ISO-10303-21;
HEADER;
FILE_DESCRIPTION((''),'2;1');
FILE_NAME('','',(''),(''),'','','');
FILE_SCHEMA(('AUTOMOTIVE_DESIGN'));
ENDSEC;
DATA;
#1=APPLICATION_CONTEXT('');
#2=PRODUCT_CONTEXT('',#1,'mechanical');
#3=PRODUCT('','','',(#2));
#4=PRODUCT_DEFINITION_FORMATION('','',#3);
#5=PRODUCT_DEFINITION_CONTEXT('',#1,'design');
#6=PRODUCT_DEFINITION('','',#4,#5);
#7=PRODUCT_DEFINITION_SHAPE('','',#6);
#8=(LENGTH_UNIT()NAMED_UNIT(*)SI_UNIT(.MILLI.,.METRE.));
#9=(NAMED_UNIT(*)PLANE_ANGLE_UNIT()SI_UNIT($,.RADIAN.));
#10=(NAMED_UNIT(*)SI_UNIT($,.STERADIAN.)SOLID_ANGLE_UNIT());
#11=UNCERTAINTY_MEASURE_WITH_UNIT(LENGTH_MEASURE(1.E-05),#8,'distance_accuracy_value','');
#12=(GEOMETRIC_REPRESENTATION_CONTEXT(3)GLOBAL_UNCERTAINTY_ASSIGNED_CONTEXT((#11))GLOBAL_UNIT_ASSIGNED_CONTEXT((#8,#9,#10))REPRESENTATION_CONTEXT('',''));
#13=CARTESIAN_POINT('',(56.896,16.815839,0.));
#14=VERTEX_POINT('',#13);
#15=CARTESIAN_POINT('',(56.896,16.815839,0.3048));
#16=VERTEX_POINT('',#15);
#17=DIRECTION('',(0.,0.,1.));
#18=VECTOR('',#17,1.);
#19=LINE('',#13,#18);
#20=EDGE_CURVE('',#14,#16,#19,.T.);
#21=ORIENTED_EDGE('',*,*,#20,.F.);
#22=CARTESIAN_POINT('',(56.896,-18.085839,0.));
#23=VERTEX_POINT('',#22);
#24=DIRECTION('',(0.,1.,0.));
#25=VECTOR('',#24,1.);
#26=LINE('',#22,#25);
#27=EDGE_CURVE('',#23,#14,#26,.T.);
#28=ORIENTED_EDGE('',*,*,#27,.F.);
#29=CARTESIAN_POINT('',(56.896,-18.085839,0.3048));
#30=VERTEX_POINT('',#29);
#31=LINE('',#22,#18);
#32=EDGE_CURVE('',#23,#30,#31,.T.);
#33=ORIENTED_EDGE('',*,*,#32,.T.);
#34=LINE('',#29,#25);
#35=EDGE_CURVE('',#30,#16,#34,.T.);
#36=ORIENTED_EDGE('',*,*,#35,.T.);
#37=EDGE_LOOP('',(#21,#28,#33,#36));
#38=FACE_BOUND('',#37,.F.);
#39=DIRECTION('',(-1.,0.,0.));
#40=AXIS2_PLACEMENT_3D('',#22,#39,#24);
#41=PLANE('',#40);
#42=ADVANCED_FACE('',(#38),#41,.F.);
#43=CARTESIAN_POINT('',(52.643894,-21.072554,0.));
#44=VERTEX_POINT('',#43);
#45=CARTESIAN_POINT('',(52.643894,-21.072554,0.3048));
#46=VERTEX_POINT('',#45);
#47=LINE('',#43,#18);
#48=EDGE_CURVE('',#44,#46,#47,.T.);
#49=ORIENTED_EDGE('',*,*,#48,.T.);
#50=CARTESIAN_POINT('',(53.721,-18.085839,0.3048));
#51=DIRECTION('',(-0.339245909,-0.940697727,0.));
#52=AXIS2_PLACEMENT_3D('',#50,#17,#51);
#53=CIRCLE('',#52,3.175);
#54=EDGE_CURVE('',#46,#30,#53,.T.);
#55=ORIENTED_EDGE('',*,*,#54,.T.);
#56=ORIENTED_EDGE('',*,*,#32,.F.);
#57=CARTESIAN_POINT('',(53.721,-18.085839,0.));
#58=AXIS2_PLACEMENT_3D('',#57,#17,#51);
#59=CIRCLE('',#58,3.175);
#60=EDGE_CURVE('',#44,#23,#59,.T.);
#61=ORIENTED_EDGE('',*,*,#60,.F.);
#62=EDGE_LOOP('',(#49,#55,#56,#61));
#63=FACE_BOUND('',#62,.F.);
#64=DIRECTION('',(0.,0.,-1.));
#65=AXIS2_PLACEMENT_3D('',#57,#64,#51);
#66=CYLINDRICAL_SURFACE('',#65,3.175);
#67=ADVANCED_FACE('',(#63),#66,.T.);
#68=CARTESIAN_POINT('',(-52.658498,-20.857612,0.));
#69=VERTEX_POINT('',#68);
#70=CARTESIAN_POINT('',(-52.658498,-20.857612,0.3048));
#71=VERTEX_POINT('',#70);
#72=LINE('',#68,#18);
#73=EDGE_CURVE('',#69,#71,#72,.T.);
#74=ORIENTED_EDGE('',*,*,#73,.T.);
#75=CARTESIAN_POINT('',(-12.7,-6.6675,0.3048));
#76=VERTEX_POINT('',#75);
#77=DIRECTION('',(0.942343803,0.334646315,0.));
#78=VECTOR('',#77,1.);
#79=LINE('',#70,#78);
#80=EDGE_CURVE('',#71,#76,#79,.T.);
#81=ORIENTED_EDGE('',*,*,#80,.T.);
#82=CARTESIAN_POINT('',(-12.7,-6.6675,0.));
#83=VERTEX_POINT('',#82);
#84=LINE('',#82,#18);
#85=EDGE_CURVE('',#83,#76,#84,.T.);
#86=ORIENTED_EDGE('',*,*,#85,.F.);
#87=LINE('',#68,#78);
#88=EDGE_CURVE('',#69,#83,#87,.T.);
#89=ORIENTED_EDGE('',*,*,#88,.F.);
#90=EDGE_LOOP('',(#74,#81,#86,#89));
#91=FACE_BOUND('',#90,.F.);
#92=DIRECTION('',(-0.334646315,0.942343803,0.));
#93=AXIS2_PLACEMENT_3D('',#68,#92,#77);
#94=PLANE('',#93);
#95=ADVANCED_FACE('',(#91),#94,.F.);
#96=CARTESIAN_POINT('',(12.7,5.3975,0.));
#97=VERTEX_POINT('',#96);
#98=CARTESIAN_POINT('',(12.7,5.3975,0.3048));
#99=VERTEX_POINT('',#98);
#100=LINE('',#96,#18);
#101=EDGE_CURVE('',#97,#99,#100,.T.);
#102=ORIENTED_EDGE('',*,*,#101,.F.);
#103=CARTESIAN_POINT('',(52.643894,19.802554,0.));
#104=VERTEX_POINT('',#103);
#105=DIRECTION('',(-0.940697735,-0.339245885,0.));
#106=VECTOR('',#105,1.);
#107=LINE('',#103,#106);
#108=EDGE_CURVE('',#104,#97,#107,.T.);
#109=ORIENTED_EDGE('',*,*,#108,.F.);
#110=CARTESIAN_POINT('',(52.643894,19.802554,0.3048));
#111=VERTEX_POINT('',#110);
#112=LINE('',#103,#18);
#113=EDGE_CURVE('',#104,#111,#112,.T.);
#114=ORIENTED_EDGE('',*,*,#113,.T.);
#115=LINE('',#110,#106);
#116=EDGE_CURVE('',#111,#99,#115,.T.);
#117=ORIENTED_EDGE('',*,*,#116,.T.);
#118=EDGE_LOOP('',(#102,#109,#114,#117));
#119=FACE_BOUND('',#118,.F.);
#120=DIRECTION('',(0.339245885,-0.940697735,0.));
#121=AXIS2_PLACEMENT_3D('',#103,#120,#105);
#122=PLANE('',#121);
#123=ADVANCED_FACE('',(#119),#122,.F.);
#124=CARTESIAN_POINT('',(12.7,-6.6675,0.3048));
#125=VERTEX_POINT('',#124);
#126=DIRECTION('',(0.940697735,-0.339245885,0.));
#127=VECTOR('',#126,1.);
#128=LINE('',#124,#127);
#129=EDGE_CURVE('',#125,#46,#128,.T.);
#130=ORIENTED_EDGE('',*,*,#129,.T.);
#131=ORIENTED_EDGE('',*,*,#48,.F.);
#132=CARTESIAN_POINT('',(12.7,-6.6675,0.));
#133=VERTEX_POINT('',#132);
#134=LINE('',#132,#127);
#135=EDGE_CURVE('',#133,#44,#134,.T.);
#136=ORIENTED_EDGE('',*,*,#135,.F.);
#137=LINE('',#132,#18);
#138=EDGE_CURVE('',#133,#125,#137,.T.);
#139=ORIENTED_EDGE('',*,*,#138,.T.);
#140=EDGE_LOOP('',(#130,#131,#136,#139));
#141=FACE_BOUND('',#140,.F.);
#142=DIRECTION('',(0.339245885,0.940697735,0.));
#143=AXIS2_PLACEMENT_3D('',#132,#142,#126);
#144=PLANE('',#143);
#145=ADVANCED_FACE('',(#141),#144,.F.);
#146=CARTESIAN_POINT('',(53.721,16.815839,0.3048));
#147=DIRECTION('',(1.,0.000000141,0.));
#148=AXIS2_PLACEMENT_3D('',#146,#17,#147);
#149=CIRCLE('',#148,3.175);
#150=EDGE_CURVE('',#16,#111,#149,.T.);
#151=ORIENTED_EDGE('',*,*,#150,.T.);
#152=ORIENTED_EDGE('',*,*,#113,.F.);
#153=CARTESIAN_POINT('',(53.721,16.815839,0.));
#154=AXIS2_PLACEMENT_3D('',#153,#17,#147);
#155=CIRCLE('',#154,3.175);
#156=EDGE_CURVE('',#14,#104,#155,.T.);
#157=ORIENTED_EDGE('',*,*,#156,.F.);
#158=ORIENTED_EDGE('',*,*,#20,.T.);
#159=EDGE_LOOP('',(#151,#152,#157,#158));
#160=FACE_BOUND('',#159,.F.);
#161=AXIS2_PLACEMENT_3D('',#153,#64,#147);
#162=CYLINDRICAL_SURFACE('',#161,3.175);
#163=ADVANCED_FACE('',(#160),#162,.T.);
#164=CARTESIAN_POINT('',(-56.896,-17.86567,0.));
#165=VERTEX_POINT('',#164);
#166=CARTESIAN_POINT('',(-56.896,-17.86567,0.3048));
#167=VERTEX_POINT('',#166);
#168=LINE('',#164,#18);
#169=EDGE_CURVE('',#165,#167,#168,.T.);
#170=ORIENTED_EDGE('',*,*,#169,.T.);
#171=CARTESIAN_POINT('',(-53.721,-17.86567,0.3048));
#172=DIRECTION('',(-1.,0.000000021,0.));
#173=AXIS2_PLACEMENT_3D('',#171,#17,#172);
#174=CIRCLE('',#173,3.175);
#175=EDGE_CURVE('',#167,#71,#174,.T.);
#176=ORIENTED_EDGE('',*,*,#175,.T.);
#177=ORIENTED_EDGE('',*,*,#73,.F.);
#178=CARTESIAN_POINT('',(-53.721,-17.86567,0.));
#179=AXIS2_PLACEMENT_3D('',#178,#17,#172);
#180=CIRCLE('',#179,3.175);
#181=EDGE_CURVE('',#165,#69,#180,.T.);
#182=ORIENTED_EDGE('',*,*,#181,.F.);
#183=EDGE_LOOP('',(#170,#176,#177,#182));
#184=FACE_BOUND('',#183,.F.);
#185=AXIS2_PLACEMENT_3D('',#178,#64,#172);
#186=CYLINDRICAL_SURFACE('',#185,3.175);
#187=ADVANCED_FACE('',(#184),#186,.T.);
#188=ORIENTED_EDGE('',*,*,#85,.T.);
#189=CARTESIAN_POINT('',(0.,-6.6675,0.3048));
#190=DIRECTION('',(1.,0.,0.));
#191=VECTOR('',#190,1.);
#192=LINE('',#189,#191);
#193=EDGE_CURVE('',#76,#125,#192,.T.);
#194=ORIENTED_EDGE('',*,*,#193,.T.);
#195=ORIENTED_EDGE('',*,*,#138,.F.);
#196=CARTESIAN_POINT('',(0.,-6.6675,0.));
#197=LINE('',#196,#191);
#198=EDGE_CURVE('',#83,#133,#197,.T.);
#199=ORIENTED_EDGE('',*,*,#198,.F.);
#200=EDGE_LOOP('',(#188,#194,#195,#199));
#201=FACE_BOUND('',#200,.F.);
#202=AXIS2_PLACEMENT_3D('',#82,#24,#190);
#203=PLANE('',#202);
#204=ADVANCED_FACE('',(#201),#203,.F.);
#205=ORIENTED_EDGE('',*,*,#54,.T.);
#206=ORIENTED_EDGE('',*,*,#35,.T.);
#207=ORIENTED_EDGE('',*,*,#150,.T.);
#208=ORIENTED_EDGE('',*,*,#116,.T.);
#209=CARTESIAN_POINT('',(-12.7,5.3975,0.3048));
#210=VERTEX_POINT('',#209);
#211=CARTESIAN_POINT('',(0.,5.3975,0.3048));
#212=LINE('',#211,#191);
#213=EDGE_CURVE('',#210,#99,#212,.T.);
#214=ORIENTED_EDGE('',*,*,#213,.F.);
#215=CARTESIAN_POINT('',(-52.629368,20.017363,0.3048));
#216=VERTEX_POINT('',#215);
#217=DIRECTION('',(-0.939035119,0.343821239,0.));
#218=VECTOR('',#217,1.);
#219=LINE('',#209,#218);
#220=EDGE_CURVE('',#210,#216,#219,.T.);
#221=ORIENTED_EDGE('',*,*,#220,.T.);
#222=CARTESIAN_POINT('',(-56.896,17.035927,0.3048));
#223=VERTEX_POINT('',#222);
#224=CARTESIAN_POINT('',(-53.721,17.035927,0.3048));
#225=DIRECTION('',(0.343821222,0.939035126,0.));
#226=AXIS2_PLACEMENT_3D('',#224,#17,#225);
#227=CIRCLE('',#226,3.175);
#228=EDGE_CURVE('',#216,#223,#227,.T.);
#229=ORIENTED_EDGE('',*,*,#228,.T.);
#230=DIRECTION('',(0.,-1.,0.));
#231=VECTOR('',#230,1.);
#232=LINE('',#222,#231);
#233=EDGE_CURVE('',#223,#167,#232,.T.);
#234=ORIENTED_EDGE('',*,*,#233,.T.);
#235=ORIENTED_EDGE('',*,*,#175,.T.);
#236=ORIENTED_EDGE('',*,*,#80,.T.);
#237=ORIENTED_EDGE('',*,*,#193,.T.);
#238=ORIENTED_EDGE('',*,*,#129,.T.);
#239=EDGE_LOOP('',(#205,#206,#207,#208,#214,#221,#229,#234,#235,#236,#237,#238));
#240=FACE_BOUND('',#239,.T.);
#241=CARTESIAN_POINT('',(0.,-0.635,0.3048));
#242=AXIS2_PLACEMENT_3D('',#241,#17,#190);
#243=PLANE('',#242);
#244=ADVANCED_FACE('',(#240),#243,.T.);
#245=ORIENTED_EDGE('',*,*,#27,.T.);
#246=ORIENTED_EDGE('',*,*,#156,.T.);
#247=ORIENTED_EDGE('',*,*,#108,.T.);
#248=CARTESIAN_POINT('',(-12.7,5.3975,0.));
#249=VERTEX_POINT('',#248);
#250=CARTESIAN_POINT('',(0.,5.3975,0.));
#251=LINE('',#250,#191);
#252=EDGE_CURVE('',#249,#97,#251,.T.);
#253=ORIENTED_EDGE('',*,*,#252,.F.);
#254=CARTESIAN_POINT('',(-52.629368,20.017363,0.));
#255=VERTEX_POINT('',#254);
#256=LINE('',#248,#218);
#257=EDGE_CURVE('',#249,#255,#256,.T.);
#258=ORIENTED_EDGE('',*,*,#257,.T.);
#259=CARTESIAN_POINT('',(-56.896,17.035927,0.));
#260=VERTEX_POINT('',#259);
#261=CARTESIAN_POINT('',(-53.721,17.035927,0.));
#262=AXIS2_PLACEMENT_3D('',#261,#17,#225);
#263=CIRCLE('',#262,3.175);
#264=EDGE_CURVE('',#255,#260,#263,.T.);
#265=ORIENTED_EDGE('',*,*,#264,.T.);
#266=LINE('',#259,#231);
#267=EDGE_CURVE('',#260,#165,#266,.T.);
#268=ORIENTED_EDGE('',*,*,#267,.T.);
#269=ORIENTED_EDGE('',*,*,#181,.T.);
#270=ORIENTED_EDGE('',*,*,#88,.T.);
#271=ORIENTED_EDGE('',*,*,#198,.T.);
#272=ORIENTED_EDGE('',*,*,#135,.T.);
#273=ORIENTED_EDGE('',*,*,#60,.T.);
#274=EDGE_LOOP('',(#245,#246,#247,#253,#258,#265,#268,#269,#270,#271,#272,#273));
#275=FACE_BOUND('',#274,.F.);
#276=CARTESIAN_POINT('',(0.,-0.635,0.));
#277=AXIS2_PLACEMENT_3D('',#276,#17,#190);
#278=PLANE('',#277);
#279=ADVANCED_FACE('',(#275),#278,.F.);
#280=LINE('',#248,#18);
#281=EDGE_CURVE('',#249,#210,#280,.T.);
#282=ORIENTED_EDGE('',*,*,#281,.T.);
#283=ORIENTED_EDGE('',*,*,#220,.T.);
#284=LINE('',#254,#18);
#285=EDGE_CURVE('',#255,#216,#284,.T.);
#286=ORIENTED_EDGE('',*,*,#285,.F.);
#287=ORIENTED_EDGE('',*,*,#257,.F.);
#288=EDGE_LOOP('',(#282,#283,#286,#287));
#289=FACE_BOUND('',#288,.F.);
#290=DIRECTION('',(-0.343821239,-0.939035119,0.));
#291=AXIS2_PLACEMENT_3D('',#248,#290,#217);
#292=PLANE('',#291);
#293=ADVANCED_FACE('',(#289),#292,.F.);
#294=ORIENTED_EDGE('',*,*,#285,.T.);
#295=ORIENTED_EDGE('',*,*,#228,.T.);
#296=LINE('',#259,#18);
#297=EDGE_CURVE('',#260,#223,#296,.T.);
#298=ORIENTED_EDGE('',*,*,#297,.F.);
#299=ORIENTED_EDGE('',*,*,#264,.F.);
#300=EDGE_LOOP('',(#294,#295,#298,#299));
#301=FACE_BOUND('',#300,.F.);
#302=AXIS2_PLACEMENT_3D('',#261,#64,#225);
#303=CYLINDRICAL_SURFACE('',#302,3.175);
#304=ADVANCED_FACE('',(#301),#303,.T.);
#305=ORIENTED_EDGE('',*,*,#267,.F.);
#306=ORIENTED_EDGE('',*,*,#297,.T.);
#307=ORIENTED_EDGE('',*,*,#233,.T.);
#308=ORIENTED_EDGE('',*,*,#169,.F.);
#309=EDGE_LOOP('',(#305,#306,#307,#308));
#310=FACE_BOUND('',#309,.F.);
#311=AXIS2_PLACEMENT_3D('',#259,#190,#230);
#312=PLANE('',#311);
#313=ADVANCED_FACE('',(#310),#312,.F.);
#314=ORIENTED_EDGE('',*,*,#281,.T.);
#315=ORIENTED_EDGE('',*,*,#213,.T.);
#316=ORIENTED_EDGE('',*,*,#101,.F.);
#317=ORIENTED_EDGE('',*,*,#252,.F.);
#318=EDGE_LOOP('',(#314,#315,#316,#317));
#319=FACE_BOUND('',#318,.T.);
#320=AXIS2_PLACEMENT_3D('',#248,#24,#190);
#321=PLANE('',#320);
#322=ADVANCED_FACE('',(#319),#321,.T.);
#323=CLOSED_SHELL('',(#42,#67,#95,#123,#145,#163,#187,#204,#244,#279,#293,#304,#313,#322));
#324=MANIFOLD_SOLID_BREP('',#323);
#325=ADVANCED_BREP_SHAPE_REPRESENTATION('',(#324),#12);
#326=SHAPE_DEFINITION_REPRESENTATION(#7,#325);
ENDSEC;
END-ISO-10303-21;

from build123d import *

# Parameters (mm, degrees)
F0_W     = 25.4
F0_H     = 12.065
F1_DEPTH = 0.3048


with BuildPart() as f1:
    # F0 (on Top) → F1 (new body)
    with BuildSketch(Plane.XY):
        with Locations((0, -0.635)):
            Rectangle(F0_W, F0_H)
        with BuildLine():
            Line((52.643894, 19.802554), (12.7, 5.3975))
            Line((12.7, 5.3975), (12.7, -6.6675))
            Line((12.7, -6.6675), (52.643894, -21.072554))
            ThreePointArc((52.643894, -21.072554), (55.54594, -20.683957), (56.896, -18.085839))
            Line((56.896, -18.085839), (56.896, -0.635))
            Line((56.896, -0.635), (56.896, 16.815839))
            ThreePointArc((56.896, 16.815839), (55.54594, 19.413957), (52.643894, 19.802554))
        make_face()
        with BuildLine():
            Line((-12.7, -6.6675), (-12.7, 5.3975))
            Line((-12.7, 5.3975), (-52.629368, 20.017363))
            ThreePointArc((-52.629368, 20.017363), (-55.539611, 19.638479), (-56.896, 17.035927))
            Line((-56.896, 17.035927), (-56.896, -0.391439))
            Line((-56.896, -0.391439), (-56.896, -17.86567))
            ThreePointArc((-56.896, -17.86567), (-55.552281, -20.459323), (-52.658498, -20.857612))
            Line((-52.658498, -20.857612), (-12.7, -6.6675))
        make_face()
    extrude(amount=F1_DEPTH)


solid = f1.part
